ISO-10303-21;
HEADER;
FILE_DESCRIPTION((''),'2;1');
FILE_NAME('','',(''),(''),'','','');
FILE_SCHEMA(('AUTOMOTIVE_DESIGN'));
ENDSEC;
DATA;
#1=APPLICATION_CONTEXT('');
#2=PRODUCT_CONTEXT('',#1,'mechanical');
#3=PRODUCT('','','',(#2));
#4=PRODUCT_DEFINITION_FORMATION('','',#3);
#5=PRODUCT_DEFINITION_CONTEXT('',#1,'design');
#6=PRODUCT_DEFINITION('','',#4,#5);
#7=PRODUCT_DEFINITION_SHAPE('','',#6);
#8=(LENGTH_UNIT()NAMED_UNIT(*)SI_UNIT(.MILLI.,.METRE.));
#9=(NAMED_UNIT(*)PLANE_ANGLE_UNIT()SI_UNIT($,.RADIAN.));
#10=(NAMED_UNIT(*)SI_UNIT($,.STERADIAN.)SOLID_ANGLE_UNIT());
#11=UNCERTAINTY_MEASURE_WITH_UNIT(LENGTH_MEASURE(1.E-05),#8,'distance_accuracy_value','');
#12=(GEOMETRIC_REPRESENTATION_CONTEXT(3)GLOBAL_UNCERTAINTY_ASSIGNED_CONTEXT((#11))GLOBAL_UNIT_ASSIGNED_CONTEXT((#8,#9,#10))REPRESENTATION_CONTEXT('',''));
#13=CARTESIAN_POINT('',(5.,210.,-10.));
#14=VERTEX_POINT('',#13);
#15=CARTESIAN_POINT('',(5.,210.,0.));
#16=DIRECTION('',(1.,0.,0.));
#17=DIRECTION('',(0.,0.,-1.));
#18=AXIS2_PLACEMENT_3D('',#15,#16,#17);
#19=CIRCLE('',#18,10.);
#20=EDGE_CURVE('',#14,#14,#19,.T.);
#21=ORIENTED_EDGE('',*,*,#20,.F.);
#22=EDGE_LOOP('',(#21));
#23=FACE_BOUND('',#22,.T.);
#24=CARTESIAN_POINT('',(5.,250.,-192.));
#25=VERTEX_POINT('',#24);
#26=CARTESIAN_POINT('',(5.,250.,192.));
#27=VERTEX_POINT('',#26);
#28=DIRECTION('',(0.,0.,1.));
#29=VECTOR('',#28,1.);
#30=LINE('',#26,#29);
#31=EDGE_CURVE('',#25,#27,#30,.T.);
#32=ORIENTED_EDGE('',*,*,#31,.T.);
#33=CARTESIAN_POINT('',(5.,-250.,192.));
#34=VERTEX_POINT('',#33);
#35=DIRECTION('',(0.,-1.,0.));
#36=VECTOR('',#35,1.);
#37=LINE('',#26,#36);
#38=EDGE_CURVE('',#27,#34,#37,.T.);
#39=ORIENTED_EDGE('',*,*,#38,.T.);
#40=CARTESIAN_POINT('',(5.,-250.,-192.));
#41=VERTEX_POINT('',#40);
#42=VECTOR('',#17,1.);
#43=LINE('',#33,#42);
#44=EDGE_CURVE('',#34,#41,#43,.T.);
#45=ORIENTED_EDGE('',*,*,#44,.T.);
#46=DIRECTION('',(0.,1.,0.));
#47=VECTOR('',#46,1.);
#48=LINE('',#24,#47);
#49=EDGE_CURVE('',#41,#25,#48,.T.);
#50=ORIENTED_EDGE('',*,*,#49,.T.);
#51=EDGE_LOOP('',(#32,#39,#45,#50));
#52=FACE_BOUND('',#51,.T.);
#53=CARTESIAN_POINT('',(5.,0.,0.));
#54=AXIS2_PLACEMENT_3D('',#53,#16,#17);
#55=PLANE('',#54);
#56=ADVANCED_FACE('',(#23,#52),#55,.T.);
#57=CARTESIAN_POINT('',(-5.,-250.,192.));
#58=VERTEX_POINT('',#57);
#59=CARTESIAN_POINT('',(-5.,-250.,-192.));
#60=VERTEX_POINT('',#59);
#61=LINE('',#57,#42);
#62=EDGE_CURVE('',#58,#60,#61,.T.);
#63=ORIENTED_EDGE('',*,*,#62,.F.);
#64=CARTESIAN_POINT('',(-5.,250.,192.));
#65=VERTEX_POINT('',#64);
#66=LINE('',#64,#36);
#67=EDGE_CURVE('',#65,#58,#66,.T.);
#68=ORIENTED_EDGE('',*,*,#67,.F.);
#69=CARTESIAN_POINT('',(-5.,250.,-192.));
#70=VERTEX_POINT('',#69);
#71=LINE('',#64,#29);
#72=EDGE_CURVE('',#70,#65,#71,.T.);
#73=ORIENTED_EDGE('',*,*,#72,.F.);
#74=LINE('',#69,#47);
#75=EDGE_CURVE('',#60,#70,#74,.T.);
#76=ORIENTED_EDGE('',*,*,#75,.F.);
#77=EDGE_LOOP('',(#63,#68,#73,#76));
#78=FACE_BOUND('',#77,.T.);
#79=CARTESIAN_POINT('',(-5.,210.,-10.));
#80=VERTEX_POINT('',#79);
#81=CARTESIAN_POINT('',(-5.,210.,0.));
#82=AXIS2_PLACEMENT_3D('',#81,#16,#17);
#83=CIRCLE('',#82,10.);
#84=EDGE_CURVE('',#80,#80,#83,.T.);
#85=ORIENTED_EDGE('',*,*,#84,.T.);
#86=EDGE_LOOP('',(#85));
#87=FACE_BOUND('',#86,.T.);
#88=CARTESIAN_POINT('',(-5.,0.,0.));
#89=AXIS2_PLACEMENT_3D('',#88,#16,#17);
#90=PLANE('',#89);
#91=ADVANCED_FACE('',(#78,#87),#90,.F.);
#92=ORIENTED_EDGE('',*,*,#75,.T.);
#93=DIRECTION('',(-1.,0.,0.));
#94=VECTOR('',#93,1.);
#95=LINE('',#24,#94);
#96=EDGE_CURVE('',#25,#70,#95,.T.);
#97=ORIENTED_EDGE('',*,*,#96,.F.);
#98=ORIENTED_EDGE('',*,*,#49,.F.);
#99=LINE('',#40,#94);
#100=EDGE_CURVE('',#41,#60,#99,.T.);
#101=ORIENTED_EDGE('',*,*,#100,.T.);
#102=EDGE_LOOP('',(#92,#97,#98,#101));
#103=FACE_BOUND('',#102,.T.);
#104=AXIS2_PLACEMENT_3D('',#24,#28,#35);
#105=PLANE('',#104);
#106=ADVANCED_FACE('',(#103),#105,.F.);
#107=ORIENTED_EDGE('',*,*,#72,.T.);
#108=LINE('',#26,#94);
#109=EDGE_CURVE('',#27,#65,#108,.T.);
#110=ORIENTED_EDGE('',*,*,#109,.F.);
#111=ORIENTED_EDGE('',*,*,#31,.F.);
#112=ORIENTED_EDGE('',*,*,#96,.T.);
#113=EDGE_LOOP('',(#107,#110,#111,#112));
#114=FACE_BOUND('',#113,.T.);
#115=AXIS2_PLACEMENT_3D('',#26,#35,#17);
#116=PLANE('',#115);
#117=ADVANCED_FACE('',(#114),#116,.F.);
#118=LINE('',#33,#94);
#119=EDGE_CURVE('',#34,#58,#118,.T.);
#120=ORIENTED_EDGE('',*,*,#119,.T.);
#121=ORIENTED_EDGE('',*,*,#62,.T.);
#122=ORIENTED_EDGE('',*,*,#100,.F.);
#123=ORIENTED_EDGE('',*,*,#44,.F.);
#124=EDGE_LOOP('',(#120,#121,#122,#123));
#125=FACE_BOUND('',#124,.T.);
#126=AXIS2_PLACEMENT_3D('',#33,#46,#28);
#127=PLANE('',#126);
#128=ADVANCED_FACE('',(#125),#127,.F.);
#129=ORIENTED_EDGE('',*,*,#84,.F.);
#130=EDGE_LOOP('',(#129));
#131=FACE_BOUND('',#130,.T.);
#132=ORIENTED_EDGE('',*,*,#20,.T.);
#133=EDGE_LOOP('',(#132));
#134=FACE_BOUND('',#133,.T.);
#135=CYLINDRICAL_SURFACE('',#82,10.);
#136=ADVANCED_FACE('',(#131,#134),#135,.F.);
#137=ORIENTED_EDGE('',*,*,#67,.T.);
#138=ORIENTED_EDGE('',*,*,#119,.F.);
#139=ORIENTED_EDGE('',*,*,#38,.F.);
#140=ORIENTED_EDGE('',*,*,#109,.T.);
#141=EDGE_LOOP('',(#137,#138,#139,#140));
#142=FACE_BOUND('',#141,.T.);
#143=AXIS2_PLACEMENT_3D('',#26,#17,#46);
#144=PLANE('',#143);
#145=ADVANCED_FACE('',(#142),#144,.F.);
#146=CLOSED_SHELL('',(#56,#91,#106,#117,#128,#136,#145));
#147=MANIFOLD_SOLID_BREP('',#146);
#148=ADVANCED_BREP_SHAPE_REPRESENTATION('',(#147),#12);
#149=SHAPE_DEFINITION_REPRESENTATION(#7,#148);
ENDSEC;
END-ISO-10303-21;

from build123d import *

# Parameters (mm, degrees)
SKETCH1_W           = 384
SKETCH1_H           = 500
BOSS_EXTRUDE1_DEPTH = 5
SKETCH2_R           = 10
CUT_EXTRUDE1_DEPTH  = 316.379136913


with BuildPart() as part:
    # Sketch1 → Boss-Extrude1 (new, symmetric)
    with BuildSketch(Plane(origin=(0, 0, 0), x_dir=(0, 0, -1), z_dir=(1, 0, 0))):
        Rectangle(SKETCH1_W, SKETCH1_H)
    extrude(amount=BOSS_EXTRUDE1_DEPTH, both=True)

    # Sketch2 → Cut-Extrude1 (cut, through all)
    with BuildSketch(Plane(origin=(5, 0, 0), x_dir=(0, 0, -1), z_dir=(1, 0, 0))):
        with Locations((0, 210)):
            Circle(SKETCH2_R)
    extrude(amount=-CUT_EXTRUDE1_DEPTH, mode=Mode.SUBTRACT)


solid = part.part
